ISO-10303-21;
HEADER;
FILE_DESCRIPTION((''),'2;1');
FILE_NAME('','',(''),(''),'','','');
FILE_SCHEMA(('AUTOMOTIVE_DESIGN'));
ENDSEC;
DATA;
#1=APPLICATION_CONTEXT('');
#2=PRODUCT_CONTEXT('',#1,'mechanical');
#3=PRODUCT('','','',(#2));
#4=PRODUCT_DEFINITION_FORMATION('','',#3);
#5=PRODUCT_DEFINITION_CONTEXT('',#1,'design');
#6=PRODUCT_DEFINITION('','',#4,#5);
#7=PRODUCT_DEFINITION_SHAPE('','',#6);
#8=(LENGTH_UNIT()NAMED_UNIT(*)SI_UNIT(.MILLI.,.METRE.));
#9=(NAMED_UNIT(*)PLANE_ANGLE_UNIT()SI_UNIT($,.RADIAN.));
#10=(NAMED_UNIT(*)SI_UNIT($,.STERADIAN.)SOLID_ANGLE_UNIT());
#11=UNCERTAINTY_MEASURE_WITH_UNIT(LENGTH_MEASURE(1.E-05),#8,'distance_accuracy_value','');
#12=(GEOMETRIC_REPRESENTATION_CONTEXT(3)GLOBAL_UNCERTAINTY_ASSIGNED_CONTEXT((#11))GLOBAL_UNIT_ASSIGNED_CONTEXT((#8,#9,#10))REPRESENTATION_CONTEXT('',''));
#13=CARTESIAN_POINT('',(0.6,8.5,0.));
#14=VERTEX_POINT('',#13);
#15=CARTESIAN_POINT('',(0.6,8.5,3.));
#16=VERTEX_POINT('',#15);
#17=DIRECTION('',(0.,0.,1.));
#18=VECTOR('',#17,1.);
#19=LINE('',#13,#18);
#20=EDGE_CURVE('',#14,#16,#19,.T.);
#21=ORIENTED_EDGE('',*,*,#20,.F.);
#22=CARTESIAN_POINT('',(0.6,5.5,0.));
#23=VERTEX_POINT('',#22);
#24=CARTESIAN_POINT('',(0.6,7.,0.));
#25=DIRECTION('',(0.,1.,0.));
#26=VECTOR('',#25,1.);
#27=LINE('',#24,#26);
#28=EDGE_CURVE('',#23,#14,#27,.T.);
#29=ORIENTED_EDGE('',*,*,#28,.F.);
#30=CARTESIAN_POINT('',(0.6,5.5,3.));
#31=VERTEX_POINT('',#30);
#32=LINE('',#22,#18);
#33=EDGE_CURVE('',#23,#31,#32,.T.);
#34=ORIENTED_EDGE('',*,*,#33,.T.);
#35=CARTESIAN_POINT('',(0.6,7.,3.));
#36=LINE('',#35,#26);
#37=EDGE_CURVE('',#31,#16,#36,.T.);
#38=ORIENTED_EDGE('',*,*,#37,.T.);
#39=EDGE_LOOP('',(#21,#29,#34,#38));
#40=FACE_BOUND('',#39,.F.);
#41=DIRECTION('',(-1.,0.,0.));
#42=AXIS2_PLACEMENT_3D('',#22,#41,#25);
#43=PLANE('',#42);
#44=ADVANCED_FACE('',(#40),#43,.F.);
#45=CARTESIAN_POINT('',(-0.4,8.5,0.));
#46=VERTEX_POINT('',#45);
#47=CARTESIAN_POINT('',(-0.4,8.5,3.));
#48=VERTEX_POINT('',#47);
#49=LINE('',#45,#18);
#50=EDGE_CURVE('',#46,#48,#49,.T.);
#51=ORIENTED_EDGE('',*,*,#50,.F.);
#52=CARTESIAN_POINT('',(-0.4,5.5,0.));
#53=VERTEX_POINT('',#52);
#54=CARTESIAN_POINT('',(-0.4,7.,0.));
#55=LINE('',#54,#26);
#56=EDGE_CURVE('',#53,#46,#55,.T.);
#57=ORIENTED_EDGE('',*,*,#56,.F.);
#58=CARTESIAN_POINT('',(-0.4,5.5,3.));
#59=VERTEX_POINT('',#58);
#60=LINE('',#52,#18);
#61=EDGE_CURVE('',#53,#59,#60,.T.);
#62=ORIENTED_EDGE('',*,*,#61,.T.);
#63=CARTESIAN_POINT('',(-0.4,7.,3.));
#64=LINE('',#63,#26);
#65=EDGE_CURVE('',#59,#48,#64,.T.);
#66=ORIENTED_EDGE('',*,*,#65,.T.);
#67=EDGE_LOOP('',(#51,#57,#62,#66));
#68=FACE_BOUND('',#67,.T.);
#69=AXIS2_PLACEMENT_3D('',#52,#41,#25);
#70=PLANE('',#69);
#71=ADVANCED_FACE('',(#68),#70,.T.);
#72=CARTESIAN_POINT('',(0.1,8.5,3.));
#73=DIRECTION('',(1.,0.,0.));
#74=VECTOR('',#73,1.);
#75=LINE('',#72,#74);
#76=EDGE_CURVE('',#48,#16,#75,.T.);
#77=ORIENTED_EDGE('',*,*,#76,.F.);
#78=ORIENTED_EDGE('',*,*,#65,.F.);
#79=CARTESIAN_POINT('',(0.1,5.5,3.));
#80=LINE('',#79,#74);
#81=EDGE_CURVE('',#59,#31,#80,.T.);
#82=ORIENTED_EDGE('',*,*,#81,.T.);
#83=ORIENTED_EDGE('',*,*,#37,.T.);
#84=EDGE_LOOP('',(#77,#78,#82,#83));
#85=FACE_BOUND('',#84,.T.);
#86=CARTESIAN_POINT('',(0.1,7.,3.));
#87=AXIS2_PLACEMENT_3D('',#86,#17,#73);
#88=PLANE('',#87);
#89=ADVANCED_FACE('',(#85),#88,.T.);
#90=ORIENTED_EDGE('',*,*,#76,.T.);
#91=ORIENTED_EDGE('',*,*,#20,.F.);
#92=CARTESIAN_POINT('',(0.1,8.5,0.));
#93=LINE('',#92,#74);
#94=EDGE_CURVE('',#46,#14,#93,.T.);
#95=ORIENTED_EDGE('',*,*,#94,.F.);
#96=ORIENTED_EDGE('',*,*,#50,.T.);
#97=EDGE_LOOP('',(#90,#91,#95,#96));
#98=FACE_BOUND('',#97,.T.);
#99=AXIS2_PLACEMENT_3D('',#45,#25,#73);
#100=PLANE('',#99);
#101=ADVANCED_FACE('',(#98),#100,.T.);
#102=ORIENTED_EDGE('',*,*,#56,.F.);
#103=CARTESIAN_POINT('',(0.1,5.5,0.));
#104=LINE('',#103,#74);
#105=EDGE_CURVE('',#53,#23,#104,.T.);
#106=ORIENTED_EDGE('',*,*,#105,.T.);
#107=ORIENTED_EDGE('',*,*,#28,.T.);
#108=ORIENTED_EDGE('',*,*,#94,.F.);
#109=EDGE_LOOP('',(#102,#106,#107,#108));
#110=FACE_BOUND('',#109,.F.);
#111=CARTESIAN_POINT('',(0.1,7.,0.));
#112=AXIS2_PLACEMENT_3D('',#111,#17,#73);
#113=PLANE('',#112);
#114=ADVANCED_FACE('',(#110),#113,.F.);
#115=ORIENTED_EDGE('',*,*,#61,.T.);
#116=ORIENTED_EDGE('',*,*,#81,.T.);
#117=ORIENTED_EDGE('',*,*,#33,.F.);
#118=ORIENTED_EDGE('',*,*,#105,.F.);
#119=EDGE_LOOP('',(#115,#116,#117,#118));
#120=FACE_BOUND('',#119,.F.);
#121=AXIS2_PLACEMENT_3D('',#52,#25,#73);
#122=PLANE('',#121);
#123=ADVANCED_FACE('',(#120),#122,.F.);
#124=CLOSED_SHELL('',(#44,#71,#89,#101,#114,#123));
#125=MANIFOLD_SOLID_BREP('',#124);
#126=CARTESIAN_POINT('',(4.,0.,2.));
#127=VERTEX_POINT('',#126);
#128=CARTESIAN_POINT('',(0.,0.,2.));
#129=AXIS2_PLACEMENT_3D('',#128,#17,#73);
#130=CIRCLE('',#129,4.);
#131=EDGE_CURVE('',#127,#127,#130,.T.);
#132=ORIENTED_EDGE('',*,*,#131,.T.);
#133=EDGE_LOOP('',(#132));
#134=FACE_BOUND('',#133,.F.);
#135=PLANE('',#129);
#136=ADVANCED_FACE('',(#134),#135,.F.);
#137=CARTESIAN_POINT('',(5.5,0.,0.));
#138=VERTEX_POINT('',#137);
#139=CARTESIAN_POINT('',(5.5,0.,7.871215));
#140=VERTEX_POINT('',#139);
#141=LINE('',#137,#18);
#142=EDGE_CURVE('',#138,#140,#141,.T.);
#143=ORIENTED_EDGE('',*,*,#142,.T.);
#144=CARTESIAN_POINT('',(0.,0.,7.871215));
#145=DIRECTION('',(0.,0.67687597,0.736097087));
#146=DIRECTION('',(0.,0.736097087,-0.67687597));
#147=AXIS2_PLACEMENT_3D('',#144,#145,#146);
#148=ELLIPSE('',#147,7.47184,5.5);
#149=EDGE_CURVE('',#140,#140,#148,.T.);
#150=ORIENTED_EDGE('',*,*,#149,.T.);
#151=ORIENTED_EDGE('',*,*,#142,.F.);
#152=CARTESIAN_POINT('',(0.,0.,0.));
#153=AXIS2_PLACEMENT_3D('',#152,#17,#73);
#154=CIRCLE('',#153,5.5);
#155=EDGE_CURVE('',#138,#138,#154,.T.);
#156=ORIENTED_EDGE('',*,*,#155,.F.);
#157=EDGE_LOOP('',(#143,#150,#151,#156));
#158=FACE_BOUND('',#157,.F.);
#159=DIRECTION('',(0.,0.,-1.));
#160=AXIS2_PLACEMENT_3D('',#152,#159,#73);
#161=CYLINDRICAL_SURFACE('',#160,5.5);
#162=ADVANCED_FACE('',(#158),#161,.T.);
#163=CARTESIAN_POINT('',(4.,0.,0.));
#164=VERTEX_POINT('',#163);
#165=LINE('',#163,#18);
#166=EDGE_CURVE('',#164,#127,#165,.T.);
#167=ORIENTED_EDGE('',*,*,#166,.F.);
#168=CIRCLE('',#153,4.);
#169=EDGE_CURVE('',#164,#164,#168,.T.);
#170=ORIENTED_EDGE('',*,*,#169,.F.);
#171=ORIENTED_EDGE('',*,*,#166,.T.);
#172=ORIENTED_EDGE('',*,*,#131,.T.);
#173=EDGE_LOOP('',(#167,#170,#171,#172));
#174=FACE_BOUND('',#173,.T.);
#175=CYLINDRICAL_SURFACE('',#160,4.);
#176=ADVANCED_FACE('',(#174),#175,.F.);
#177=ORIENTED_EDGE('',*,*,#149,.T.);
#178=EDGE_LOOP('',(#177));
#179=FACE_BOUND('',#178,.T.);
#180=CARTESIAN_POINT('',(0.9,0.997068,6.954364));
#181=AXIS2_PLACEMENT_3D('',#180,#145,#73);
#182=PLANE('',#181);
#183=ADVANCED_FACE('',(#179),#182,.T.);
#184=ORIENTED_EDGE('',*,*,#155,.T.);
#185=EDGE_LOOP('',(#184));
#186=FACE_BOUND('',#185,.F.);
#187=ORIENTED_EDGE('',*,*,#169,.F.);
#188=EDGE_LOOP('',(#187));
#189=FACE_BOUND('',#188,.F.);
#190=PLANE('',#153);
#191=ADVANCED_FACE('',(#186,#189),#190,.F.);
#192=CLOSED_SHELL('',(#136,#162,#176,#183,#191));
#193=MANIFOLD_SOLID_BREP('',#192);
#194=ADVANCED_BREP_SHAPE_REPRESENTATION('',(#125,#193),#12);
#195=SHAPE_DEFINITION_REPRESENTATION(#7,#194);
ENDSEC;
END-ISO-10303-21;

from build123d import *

# Parameters (mm, degrees)
BOX001_W               = 1
BOX001_H               = 3
BOX001_DEPTH           = 3
BOX002_W               = 16
BOX002_H               = 22
BOX002_DEPTH           = 13
BOX002_PLACEMENT_ANGLE = 42.6
CYLINDER002_R          = 4
CYLINDER002_DEPTH      = 15
BOX_W                  = 16
BOX_H                  = 22
BOX_DEPTH              = 13
BOX_PLACEMENT_ANGLE    = 42.6
CYLINDER001_R          = 4
CYLINDER001_DEPTH      = 15
CYLINDER_R             = 5.5
CYLINDER_DEPTH         = 13


with BuildPart() as cube001:
    # Box001 → Box001 (new body)
    with BuildSketch(Plane(origin=(-0.4, 5.5, 0), x_dir=(1, 0, 0), z_dir=(0, 0, 1))):
        with Locations((0.5, 1.5)):
            Rectangle(BOX001_W, BOX001_H)
    extrude(amount=BOX001_DEPTH)


with BuildPart() as cube002:
    # Box002 → Box002 (new body)
    with BuildSketch(Plane.XY):
        with Locations((8, 11)):
            Rectangle(BOX002_W, BOX002_H)
    extrude(amount=BOX002_DEPTH)


with BuildPart() as cube002_1:
    # Box002 placement: moved
    add(cube002.part.moved(Location((-7.1, -7.1, 14.4))).rotate(Axis((-7.1, -7.1, 14.4), (-1, 0, 0)), BOX002_PLACEMENT_ANGLE))


with BuildPart() as cut002:
    # Cylinder002 → Cylinder002 (new body)
    with BuildSketch(Plane.XY.offset(2)):
        Circle(CYLINDER002_R)
    extrude(amount=CYLINDER002_DEPTH)

    # Cut002: cut Cube002
    add(cube002_1.part, mode=Mode.SUBTRACT)


with BuildPart() as cube:
    # Box → Box (new body)
    with BuildSketch(Plane.XY):
        with Locations((8, 11)):
            Rectangle(BOX_W, BOX_H)
    extrude(amount=BOX_DEPTH)


with BuildPart() as cube_1:
    # Box placement: moved
    add(cube.part.moved(Location((-7.1, -7.1, 14.4))).rotate(Axis((-7.1, -7.1, 14.4), (-1, 0, 0)), BOX_PLACEMENT_ANGLE))


with BuildPart() as cylinder001:
    # Cylinder001 → Cylinder001 (new body)
    with BuildSketch(Plane.XY):
        Circle(CYLINDER001_R)
    extrude(amount=CYLINDER001_DEPTH)


with BuildPart() as fusion:
    # Cylinder → Cylinder (new body)
    with BuildSketch(Plane.XY):
        Circle(CYLINDER_R)
    extrude(amount=CYLINDER_DEPTH)

    # Cut: cut Cylinder001
    add(cylinder001.part, mode=Mode.SUBTRACT)

    # Cut001: cut Cube
    add(cube_1.part, mode=Mode.SUBTRACT)

    # Fusion: union Cut002
    add(cut002.part)


solid = Compound([cube001.part, fusion.part])
